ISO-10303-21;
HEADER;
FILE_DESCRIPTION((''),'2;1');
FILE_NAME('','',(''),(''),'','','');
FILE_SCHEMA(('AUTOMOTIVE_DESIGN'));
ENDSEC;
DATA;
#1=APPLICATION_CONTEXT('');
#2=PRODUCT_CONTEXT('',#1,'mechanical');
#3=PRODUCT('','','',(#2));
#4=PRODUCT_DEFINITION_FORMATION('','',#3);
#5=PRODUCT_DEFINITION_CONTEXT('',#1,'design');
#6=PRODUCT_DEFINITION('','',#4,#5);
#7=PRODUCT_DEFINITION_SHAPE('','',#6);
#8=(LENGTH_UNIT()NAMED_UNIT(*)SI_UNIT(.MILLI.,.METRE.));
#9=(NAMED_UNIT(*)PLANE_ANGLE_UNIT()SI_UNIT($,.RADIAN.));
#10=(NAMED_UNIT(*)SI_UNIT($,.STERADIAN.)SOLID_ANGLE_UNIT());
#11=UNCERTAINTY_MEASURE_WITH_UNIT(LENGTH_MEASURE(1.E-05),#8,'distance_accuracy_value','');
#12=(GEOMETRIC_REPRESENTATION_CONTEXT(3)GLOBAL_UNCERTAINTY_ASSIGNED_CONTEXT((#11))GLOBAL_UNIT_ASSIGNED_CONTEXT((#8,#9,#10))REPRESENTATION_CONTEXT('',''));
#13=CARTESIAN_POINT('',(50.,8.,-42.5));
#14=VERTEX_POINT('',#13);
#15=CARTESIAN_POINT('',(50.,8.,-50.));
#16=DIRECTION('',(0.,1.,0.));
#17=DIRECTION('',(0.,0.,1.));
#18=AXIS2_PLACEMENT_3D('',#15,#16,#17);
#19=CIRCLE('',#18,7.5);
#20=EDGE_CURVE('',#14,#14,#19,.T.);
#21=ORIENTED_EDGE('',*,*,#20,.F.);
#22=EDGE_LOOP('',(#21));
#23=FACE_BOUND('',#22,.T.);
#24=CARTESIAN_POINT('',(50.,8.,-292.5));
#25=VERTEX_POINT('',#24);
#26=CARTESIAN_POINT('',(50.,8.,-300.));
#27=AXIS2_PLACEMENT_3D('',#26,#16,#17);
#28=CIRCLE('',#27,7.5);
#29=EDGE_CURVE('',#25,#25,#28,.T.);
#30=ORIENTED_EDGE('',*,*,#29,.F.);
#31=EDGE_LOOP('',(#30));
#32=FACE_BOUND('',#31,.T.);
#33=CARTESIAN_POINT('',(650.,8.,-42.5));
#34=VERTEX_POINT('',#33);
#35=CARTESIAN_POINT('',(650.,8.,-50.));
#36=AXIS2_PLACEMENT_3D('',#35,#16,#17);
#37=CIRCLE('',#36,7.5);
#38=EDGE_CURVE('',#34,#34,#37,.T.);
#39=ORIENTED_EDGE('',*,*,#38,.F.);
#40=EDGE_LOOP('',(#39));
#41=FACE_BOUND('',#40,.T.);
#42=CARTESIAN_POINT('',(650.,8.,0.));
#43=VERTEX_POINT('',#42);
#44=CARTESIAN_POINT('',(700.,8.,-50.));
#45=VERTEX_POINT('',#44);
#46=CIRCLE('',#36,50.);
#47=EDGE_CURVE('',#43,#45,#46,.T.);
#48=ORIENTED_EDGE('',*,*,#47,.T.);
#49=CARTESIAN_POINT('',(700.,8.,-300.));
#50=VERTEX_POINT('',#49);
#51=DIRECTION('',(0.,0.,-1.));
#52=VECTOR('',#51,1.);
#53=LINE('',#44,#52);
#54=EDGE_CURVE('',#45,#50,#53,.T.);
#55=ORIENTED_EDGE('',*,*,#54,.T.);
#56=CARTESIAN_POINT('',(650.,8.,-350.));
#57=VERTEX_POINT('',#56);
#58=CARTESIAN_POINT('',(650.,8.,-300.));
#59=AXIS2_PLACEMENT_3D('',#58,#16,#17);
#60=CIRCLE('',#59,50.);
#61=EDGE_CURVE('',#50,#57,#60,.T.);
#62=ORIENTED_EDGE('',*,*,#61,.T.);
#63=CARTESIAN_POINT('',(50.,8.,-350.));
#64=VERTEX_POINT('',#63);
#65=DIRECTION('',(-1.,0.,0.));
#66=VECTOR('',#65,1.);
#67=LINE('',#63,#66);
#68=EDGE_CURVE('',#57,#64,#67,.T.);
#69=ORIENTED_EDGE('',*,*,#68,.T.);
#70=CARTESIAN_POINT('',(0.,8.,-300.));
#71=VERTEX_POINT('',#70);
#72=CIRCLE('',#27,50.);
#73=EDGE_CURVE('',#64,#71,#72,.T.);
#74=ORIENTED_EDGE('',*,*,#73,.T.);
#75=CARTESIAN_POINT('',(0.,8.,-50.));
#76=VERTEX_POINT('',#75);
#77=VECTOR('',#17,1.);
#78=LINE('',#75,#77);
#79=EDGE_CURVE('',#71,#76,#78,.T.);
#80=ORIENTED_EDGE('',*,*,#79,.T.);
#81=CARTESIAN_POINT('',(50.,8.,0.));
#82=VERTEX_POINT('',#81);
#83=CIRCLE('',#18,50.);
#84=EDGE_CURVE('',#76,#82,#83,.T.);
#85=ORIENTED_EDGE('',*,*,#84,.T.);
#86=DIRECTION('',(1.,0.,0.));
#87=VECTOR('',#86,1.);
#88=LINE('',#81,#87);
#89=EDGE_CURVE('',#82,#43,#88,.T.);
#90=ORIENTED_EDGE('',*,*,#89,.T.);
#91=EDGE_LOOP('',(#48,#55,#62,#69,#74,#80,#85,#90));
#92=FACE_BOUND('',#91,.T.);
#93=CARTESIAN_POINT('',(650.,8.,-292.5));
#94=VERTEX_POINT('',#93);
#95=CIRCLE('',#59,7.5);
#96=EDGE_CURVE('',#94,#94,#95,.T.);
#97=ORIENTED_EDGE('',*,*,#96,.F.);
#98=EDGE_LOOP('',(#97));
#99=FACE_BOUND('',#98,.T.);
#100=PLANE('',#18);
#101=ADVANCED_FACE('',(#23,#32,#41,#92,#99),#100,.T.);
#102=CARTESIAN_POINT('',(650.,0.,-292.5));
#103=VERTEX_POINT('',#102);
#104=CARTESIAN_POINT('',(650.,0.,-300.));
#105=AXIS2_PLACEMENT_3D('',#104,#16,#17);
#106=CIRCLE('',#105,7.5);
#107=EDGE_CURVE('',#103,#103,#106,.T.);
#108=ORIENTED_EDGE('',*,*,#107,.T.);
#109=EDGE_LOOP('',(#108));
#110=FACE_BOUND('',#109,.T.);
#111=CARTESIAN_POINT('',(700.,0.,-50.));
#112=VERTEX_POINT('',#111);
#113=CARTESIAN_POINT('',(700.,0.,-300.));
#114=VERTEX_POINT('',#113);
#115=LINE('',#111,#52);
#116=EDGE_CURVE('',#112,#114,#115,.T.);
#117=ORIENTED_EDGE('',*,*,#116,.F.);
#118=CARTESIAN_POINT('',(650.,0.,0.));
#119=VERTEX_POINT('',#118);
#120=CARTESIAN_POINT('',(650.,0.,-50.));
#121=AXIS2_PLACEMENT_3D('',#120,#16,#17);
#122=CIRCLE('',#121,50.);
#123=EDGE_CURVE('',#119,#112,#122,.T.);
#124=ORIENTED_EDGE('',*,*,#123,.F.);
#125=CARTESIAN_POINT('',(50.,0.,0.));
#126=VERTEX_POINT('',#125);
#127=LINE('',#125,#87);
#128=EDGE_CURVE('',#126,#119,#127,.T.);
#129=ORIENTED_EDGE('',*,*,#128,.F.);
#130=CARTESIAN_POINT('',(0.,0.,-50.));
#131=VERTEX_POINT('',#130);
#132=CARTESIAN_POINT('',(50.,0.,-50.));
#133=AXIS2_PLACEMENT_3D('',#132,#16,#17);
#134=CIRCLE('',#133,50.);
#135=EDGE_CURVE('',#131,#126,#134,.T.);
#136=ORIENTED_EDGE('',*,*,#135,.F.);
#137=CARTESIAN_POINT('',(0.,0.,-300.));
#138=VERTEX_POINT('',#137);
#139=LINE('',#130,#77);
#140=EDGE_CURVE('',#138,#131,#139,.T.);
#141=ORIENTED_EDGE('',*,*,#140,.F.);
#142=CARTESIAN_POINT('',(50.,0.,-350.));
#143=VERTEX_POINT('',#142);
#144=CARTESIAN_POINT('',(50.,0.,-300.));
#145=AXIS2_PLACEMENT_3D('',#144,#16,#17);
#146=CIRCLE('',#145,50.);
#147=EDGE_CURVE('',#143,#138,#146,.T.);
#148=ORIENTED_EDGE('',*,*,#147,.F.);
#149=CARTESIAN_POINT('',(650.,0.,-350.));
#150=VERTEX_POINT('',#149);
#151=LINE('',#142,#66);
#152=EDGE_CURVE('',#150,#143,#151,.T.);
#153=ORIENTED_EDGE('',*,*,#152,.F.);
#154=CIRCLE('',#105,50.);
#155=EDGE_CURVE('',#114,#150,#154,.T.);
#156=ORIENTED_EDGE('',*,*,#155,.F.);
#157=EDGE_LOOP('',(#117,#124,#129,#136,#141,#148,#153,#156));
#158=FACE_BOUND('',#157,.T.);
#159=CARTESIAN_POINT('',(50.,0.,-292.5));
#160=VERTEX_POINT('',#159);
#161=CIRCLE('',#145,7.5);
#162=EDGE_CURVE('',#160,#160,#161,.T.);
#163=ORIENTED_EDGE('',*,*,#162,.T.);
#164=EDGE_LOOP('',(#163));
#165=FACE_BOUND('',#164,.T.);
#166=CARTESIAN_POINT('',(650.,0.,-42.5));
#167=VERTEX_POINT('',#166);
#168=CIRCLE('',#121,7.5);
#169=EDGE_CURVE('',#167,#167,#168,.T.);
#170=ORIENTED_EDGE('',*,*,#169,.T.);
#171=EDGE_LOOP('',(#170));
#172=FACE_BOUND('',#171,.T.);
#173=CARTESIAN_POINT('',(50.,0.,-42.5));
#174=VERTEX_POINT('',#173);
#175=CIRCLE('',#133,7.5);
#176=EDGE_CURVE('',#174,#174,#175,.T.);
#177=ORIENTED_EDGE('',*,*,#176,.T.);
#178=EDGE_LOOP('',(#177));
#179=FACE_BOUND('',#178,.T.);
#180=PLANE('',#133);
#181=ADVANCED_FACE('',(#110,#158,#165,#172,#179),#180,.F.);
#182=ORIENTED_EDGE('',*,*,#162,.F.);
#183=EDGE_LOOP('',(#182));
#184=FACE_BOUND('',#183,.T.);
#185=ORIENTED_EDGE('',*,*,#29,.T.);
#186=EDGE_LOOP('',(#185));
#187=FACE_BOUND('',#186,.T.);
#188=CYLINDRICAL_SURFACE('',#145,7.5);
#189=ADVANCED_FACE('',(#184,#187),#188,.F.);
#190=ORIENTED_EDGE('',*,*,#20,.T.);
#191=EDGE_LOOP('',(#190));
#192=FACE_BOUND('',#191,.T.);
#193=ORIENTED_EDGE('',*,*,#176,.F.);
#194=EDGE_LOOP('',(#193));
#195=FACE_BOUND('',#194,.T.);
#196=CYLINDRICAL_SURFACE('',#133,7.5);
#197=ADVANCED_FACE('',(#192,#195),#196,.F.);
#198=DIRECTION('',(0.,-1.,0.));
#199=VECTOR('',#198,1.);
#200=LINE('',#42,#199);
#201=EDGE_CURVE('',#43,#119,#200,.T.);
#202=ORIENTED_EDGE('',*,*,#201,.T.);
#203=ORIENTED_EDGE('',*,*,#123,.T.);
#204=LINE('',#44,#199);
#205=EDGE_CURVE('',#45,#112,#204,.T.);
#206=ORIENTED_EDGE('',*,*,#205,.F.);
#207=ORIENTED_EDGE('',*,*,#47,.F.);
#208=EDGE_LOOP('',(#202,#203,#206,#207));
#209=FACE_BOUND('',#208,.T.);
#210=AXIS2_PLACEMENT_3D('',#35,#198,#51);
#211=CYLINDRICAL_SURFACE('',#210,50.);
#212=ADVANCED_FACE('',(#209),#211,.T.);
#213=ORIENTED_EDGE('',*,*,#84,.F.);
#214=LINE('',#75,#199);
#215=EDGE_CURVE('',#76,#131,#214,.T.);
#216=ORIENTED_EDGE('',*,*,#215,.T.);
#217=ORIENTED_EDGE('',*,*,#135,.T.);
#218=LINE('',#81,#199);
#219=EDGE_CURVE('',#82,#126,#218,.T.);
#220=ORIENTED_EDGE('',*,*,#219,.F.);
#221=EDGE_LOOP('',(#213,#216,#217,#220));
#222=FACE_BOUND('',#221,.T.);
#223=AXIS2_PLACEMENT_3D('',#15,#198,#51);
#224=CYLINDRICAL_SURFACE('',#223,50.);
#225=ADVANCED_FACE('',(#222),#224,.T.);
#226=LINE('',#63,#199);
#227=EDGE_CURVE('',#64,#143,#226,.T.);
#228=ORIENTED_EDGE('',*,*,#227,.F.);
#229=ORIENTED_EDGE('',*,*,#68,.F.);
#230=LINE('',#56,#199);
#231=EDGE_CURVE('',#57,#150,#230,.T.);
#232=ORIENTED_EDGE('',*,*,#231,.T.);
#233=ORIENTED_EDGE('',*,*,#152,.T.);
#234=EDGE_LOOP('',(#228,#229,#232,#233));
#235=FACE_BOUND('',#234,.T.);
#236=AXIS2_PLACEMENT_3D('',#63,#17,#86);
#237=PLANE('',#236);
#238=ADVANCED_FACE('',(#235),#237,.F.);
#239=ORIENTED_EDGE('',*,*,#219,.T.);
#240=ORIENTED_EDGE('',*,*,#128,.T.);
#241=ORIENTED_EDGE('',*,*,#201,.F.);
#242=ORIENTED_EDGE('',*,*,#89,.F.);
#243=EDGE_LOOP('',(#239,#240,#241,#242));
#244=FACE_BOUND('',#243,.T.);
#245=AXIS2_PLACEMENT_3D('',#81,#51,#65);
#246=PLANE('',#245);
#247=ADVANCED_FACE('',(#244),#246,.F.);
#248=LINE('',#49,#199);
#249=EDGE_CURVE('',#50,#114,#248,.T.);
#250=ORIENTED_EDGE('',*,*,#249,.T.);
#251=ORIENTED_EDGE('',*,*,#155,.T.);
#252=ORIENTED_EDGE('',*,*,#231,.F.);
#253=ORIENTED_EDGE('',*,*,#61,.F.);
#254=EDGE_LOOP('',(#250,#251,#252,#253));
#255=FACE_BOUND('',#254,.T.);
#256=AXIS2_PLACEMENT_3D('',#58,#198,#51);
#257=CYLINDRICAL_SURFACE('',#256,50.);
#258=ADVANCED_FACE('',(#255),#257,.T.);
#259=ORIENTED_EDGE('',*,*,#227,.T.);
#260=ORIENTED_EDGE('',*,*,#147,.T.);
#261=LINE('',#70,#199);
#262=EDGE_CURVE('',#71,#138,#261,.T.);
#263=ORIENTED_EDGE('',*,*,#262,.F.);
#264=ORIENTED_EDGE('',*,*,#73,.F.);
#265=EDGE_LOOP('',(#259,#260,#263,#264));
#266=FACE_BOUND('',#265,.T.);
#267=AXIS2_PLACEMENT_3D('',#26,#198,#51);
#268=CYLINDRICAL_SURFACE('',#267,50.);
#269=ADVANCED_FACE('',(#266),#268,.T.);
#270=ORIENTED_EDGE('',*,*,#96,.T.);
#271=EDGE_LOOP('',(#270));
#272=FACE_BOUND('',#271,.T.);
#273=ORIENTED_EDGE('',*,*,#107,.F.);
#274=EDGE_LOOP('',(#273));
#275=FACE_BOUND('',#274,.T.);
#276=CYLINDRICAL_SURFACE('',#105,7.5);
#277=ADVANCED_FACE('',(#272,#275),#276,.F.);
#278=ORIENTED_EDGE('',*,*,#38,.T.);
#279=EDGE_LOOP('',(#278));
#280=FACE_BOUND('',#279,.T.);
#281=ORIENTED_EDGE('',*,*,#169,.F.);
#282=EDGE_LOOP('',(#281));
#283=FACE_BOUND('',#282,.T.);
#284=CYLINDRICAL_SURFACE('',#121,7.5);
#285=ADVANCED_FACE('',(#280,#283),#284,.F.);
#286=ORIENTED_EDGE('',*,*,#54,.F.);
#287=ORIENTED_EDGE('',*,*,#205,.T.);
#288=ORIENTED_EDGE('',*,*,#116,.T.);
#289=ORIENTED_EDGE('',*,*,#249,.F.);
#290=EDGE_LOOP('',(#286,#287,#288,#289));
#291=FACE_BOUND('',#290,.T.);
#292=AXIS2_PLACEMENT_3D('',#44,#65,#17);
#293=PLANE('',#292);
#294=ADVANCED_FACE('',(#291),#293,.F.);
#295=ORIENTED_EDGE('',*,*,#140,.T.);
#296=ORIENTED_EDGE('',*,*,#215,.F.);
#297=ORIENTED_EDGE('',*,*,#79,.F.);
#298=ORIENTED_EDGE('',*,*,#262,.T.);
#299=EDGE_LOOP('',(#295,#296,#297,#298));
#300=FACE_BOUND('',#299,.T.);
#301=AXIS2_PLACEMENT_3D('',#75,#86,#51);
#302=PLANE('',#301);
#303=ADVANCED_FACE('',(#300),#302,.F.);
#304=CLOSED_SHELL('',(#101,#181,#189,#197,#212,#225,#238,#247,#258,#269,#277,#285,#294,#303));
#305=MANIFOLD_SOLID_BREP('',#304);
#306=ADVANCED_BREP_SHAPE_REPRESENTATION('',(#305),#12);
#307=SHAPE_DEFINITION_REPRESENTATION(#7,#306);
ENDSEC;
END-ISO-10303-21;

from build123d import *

# Parameters (mm, degrees)
BASE_EXTRUSION_DEPTH    = 8
ESQUISSE2_R             = 7.5
ENL_V_MAT_EXTRU_1_DEPTH = 8


with BuildPart() as part:
    # Esquisse1 → Base-Extrusion (new body)
    with BuildSketch(Plane(origin=(0, 0, 0), x_dir=(1, 0, 0), z_dir=(0, 1, 0))):
        with BuildLine():
            Line((50, 0), (650, 0))
            ThreePointArc((650, 0), (685.355339059, 14.644660941), (700, 50))
            Line((700, 50), (700, 300))
            ThreePointArc((700, 300), (685.355339059, 335.355339059), (650, 350))
            Line((650, 350), (50, 350))
            ThreePointArc((50, 350), (14.644660941, 335.355339059), (0, 300))
            Line((0, 300), (0, 50))
            ThreePointArc((0, 50), (14.644660941, 14.644660941), (50, 0))
        make_face()
    extrude(amount=BASE_EXTRUSION_DEPTH)

    # Esquisse2 → Enlèv. mat.-Extru.1 (cut)
    with BuildSketch(Plane(origin=(0, 8, 0), x_dir=(-1, 0, 0), z_dir=(0, 1, 0))):
        with Locations(Location((-50, -50, 0), (0, 0, 90))):
            Circle(ESQUISSE2_R)
        with Locations(Location((-50, -300, 0), (0, 0, 90))):
            Circle(ESQUISSE2_R)
        with Locations(Location((-650, -50, 0), (0, 0, 90))):
            Circle(ESQUISSE2_R)
        with Locations(Location((-650, -300, 0), (0, 0, 90))):
            Circle(ESQUISSE2_R)
    extrude(amount=-ENL_V_MAT_EXTRU_1_DEPTH, mode=Mode.SUBTRACT)


solid = part.part
